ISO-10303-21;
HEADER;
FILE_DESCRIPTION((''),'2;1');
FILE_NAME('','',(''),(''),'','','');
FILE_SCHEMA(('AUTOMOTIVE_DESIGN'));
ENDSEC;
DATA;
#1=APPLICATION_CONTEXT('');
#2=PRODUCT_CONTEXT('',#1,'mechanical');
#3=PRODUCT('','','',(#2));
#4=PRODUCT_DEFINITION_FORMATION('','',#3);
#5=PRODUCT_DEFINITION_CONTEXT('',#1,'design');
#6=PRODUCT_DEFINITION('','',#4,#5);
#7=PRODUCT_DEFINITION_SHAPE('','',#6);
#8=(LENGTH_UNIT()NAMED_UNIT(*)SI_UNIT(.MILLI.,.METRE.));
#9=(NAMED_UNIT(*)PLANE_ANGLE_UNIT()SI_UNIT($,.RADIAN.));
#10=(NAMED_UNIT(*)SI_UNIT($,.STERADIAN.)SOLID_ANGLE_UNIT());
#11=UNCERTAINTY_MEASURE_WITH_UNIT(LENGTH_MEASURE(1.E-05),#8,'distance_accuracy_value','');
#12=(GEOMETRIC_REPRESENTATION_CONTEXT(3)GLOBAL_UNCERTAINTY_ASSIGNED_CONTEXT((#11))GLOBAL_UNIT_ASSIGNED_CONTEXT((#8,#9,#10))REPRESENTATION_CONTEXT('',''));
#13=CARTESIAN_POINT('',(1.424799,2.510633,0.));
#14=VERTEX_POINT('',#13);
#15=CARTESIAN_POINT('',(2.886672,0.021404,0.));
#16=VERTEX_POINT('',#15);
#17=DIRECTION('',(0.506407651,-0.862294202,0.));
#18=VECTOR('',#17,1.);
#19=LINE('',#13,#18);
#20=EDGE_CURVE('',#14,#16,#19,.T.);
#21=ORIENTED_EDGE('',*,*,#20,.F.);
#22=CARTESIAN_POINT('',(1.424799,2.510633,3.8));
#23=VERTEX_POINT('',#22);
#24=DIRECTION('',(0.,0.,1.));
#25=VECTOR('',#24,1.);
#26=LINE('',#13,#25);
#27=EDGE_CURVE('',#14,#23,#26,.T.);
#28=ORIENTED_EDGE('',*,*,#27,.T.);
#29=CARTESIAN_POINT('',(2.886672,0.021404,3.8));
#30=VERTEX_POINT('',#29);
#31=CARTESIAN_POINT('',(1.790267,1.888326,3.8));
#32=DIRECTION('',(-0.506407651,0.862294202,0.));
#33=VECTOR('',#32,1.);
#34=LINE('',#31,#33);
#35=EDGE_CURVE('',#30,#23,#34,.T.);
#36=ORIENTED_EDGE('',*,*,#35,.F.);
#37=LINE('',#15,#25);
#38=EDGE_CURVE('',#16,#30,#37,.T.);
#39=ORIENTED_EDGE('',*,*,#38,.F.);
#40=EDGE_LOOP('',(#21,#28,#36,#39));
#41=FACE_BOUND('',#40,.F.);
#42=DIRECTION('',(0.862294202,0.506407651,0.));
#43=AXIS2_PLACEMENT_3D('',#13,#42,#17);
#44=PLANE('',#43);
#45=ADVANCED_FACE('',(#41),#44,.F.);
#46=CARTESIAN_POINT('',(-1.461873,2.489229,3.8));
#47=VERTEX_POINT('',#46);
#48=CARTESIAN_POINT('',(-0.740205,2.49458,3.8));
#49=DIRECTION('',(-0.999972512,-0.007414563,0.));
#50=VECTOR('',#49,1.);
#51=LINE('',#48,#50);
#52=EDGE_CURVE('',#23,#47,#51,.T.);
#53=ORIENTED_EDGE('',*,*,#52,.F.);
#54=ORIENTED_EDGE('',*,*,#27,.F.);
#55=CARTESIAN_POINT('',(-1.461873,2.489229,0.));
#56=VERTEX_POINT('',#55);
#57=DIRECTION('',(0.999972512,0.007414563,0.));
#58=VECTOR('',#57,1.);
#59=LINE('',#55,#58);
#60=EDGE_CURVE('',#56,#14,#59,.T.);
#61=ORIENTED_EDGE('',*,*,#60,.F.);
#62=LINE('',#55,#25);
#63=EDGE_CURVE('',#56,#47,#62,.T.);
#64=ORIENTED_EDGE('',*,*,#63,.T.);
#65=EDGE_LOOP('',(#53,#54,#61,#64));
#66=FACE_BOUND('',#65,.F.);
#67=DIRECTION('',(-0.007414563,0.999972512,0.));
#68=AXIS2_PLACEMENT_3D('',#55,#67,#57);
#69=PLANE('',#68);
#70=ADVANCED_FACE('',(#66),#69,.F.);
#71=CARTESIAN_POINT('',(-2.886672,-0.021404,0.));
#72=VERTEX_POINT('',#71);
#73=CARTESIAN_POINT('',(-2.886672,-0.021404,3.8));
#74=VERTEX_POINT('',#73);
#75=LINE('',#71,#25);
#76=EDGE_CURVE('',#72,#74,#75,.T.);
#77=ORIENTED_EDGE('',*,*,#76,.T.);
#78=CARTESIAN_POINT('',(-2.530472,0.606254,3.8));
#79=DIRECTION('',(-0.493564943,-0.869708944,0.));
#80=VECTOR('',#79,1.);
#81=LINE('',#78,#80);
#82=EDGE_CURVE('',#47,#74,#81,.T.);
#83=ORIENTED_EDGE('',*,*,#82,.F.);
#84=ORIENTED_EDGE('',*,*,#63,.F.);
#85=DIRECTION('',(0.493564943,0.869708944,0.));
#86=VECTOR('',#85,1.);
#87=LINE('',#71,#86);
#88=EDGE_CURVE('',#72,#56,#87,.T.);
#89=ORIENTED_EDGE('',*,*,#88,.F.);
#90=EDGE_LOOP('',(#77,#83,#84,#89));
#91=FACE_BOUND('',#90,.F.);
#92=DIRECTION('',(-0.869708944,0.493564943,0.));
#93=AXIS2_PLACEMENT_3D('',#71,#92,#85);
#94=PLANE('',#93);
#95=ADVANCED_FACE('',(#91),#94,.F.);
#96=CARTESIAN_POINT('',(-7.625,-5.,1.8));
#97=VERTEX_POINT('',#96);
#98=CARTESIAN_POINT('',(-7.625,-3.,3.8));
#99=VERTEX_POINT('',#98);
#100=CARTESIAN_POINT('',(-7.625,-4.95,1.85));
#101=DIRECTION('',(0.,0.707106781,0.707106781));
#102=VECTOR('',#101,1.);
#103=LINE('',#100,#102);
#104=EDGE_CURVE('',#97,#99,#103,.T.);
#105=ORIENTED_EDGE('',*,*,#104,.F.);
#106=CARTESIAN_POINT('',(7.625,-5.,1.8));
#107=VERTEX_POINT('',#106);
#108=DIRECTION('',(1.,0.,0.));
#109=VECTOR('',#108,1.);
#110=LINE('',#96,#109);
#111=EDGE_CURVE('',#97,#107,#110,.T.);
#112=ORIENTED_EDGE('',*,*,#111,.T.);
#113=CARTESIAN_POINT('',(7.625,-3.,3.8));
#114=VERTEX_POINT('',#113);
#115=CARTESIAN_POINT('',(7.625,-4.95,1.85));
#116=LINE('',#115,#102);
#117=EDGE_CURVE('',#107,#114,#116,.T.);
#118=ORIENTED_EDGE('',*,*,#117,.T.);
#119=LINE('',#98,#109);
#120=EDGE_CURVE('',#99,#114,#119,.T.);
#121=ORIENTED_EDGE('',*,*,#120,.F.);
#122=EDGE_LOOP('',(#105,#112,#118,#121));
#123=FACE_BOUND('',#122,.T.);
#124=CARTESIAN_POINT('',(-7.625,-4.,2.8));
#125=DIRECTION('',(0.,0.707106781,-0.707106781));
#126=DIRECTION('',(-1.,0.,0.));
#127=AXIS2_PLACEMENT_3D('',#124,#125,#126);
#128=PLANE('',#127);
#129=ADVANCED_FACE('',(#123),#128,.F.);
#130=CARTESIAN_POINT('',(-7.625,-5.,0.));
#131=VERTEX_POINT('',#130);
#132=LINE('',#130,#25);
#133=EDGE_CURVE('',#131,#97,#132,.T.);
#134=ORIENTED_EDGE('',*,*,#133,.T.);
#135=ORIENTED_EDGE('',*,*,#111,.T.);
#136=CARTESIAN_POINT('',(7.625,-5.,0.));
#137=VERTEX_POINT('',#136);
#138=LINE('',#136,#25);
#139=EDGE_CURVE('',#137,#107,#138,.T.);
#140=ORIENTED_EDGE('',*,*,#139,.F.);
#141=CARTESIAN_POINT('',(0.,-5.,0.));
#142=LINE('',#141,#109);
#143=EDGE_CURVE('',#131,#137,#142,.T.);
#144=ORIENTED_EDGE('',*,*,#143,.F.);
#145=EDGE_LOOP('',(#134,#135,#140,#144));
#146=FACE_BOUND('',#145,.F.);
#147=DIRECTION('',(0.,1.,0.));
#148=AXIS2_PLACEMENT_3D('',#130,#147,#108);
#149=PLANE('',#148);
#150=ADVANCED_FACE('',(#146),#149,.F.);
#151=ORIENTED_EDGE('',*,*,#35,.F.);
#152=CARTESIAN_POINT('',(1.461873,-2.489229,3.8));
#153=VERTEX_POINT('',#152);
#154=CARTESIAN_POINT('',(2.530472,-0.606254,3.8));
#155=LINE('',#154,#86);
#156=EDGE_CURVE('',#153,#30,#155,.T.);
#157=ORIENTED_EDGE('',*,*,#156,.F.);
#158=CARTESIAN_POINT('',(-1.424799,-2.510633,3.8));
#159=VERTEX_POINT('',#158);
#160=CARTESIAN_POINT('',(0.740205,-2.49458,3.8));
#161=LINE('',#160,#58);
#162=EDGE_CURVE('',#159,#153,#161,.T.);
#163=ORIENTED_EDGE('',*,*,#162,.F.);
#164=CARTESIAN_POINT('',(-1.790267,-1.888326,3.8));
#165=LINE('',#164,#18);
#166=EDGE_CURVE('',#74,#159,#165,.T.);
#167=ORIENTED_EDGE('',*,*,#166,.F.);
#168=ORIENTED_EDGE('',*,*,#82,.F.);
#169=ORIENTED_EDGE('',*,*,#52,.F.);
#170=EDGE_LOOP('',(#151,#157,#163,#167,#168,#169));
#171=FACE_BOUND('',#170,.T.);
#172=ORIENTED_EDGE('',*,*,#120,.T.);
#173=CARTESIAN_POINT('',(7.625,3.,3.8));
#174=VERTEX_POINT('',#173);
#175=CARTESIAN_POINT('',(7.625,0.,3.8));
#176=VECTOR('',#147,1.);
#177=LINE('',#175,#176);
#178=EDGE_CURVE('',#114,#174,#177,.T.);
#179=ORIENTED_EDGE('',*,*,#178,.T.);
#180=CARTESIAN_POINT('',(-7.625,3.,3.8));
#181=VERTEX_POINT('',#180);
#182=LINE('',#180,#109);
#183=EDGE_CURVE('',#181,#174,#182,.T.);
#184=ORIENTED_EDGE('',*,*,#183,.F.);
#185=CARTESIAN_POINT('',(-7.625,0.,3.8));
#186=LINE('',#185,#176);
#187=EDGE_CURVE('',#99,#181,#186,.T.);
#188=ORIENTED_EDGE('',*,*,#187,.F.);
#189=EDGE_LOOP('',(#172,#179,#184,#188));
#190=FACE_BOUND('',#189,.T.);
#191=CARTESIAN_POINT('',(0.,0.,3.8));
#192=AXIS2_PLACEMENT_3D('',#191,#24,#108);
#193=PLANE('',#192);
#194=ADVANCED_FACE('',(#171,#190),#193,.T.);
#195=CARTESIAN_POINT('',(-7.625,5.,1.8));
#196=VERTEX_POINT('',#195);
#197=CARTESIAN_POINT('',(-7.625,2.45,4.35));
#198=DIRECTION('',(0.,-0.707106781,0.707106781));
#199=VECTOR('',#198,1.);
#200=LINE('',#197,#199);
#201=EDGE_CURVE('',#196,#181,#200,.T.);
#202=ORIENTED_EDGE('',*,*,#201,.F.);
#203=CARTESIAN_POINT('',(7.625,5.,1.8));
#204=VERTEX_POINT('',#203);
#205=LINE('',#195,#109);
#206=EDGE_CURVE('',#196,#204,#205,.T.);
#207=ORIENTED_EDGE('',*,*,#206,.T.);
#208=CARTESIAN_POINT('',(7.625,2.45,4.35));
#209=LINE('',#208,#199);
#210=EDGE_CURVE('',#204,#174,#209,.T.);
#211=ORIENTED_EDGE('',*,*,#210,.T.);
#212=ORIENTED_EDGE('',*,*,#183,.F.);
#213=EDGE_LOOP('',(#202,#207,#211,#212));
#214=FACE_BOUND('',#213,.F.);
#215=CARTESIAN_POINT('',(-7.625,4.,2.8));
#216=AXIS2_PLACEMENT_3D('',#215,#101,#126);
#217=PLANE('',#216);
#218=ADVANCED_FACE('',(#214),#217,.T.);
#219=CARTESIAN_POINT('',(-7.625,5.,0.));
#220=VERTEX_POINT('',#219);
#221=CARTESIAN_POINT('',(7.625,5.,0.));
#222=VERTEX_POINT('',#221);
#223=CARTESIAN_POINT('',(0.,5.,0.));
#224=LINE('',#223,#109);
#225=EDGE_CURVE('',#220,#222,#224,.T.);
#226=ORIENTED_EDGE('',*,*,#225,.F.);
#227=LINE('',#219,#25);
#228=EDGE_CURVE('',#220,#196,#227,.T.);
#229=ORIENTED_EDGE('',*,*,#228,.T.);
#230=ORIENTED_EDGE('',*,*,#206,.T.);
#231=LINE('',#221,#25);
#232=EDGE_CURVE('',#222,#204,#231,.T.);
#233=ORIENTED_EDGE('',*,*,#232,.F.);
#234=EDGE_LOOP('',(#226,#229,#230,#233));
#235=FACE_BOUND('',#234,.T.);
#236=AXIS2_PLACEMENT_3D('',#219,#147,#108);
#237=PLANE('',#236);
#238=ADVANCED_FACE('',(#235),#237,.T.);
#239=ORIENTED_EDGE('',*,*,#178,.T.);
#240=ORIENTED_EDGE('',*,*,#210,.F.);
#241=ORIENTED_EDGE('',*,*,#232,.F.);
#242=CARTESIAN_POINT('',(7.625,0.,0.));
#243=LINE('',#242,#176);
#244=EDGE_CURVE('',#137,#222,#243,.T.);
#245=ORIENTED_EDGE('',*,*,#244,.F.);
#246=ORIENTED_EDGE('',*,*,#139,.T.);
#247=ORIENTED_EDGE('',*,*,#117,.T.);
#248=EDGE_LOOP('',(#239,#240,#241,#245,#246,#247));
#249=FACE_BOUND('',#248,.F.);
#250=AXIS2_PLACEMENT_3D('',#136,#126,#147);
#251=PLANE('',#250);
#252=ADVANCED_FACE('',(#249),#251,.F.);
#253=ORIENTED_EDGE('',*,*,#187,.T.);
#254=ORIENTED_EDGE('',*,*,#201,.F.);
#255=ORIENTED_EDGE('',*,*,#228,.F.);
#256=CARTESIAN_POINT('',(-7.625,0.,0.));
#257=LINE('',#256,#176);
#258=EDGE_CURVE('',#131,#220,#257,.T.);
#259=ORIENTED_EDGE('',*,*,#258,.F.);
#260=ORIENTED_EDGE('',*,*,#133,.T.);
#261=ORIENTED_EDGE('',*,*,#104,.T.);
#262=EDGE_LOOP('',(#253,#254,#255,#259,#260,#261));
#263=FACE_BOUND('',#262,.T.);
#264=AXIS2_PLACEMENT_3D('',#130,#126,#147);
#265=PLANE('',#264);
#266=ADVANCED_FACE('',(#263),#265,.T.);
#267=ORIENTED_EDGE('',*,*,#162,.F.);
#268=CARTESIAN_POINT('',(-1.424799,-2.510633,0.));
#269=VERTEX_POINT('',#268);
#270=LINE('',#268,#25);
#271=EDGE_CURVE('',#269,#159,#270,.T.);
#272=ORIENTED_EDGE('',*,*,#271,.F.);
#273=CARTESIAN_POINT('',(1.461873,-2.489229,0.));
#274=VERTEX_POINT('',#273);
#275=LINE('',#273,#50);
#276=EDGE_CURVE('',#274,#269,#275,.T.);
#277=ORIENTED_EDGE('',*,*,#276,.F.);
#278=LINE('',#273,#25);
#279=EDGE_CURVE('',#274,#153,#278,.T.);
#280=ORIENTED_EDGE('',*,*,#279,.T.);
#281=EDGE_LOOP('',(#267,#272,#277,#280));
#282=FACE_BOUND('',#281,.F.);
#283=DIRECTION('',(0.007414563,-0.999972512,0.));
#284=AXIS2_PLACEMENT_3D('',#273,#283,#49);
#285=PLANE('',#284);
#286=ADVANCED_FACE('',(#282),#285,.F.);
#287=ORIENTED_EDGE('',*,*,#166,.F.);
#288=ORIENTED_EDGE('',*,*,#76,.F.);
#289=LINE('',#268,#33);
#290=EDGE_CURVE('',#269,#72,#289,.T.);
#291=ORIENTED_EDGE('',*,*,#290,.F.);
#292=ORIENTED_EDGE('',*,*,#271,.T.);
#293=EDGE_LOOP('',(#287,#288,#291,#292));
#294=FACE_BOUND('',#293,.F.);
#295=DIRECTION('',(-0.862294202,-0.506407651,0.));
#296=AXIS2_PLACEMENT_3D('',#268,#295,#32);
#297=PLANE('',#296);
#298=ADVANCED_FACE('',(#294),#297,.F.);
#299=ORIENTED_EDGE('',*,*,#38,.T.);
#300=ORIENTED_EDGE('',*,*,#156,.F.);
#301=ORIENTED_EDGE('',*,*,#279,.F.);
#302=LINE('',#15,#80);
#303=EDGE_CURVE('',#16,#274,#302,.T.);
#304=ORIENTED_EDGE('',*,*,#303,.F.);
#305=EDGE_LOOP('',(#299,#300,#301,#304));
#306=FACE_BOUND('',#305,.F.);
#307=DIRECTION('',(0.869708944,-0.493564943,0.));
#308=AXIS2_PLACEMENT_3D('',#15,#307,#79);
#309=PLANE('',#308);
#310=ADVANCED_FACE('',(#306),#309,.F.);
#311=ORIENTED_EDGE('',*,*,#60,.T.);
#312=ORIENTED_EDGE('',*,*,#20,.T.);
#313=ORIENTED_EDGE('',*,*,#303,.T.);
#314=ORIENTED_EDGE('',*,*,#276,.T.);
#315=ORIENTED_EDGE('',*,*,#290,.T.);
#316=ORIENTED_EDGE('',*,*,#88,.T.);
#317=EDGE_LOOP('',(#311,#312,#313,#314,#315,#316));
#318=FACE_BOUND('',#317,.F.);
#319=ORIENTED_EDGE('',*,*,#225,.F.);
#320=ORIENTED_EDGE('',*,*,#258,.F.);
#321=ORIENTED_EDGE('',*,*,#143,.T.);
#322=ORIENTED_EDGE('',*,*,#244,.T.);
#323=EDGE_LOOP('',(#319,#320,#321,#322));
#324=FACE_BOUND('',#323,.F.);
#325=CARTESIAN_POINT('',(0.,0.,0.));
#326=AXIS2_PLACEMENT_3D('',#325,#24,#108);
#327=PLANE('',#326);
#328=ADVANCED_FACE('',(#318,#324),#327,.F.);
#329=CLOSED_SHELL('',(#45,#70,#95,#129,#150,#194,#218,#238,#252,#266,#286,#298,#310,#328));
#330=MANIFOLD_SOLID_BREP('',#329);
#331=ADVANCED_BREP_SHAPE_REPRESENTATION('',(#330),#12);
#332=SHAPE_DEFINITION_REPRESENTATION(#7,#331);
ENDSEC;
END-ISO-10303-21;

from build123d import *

# Parameters (mm, degrees)
F0_W     = 15.25
F0_H     = 10
F1_DEPTH = 3.8
F2_SIZE2 = 2
F2_SIZE  = 2
F4_DEPTH = 4


with BuildPart() as f1:
    # F0 (on Top) → F1 (new body)
    with BuildSketch(Plane.XY):
        Rectangle(F0_W, F0_H)
    extrude(amount=F1_DEPTH)

    # F2
    f2_edges = [f1.edges().sort_by_distance(p)[0] for p in [
        (0, -5, 3.8),
        (0, 5, 3.8),
    ]]
    chamfer(f2_edges, length=F2_SIZE, length2=F2_SIZE2)

    # F3 (on face) → F4 (cut)
    with BuildSketch(Plane(origin=(0, 0, 0), x_dir=(1, 0, 0), z_dir=(0, 0, -1))):
        Polygon((1.424799, -2.510633), (2.886672, -0.021404), (1.461873, 2.489229), (-1.424799, 2.510633), (-2.886672, 0.021404), (-1.461873, -2.489229), align=None)
    extrude(amount=-F4_DEPTH, mode=Mode.SUBTRACT)


solid = f1.part
